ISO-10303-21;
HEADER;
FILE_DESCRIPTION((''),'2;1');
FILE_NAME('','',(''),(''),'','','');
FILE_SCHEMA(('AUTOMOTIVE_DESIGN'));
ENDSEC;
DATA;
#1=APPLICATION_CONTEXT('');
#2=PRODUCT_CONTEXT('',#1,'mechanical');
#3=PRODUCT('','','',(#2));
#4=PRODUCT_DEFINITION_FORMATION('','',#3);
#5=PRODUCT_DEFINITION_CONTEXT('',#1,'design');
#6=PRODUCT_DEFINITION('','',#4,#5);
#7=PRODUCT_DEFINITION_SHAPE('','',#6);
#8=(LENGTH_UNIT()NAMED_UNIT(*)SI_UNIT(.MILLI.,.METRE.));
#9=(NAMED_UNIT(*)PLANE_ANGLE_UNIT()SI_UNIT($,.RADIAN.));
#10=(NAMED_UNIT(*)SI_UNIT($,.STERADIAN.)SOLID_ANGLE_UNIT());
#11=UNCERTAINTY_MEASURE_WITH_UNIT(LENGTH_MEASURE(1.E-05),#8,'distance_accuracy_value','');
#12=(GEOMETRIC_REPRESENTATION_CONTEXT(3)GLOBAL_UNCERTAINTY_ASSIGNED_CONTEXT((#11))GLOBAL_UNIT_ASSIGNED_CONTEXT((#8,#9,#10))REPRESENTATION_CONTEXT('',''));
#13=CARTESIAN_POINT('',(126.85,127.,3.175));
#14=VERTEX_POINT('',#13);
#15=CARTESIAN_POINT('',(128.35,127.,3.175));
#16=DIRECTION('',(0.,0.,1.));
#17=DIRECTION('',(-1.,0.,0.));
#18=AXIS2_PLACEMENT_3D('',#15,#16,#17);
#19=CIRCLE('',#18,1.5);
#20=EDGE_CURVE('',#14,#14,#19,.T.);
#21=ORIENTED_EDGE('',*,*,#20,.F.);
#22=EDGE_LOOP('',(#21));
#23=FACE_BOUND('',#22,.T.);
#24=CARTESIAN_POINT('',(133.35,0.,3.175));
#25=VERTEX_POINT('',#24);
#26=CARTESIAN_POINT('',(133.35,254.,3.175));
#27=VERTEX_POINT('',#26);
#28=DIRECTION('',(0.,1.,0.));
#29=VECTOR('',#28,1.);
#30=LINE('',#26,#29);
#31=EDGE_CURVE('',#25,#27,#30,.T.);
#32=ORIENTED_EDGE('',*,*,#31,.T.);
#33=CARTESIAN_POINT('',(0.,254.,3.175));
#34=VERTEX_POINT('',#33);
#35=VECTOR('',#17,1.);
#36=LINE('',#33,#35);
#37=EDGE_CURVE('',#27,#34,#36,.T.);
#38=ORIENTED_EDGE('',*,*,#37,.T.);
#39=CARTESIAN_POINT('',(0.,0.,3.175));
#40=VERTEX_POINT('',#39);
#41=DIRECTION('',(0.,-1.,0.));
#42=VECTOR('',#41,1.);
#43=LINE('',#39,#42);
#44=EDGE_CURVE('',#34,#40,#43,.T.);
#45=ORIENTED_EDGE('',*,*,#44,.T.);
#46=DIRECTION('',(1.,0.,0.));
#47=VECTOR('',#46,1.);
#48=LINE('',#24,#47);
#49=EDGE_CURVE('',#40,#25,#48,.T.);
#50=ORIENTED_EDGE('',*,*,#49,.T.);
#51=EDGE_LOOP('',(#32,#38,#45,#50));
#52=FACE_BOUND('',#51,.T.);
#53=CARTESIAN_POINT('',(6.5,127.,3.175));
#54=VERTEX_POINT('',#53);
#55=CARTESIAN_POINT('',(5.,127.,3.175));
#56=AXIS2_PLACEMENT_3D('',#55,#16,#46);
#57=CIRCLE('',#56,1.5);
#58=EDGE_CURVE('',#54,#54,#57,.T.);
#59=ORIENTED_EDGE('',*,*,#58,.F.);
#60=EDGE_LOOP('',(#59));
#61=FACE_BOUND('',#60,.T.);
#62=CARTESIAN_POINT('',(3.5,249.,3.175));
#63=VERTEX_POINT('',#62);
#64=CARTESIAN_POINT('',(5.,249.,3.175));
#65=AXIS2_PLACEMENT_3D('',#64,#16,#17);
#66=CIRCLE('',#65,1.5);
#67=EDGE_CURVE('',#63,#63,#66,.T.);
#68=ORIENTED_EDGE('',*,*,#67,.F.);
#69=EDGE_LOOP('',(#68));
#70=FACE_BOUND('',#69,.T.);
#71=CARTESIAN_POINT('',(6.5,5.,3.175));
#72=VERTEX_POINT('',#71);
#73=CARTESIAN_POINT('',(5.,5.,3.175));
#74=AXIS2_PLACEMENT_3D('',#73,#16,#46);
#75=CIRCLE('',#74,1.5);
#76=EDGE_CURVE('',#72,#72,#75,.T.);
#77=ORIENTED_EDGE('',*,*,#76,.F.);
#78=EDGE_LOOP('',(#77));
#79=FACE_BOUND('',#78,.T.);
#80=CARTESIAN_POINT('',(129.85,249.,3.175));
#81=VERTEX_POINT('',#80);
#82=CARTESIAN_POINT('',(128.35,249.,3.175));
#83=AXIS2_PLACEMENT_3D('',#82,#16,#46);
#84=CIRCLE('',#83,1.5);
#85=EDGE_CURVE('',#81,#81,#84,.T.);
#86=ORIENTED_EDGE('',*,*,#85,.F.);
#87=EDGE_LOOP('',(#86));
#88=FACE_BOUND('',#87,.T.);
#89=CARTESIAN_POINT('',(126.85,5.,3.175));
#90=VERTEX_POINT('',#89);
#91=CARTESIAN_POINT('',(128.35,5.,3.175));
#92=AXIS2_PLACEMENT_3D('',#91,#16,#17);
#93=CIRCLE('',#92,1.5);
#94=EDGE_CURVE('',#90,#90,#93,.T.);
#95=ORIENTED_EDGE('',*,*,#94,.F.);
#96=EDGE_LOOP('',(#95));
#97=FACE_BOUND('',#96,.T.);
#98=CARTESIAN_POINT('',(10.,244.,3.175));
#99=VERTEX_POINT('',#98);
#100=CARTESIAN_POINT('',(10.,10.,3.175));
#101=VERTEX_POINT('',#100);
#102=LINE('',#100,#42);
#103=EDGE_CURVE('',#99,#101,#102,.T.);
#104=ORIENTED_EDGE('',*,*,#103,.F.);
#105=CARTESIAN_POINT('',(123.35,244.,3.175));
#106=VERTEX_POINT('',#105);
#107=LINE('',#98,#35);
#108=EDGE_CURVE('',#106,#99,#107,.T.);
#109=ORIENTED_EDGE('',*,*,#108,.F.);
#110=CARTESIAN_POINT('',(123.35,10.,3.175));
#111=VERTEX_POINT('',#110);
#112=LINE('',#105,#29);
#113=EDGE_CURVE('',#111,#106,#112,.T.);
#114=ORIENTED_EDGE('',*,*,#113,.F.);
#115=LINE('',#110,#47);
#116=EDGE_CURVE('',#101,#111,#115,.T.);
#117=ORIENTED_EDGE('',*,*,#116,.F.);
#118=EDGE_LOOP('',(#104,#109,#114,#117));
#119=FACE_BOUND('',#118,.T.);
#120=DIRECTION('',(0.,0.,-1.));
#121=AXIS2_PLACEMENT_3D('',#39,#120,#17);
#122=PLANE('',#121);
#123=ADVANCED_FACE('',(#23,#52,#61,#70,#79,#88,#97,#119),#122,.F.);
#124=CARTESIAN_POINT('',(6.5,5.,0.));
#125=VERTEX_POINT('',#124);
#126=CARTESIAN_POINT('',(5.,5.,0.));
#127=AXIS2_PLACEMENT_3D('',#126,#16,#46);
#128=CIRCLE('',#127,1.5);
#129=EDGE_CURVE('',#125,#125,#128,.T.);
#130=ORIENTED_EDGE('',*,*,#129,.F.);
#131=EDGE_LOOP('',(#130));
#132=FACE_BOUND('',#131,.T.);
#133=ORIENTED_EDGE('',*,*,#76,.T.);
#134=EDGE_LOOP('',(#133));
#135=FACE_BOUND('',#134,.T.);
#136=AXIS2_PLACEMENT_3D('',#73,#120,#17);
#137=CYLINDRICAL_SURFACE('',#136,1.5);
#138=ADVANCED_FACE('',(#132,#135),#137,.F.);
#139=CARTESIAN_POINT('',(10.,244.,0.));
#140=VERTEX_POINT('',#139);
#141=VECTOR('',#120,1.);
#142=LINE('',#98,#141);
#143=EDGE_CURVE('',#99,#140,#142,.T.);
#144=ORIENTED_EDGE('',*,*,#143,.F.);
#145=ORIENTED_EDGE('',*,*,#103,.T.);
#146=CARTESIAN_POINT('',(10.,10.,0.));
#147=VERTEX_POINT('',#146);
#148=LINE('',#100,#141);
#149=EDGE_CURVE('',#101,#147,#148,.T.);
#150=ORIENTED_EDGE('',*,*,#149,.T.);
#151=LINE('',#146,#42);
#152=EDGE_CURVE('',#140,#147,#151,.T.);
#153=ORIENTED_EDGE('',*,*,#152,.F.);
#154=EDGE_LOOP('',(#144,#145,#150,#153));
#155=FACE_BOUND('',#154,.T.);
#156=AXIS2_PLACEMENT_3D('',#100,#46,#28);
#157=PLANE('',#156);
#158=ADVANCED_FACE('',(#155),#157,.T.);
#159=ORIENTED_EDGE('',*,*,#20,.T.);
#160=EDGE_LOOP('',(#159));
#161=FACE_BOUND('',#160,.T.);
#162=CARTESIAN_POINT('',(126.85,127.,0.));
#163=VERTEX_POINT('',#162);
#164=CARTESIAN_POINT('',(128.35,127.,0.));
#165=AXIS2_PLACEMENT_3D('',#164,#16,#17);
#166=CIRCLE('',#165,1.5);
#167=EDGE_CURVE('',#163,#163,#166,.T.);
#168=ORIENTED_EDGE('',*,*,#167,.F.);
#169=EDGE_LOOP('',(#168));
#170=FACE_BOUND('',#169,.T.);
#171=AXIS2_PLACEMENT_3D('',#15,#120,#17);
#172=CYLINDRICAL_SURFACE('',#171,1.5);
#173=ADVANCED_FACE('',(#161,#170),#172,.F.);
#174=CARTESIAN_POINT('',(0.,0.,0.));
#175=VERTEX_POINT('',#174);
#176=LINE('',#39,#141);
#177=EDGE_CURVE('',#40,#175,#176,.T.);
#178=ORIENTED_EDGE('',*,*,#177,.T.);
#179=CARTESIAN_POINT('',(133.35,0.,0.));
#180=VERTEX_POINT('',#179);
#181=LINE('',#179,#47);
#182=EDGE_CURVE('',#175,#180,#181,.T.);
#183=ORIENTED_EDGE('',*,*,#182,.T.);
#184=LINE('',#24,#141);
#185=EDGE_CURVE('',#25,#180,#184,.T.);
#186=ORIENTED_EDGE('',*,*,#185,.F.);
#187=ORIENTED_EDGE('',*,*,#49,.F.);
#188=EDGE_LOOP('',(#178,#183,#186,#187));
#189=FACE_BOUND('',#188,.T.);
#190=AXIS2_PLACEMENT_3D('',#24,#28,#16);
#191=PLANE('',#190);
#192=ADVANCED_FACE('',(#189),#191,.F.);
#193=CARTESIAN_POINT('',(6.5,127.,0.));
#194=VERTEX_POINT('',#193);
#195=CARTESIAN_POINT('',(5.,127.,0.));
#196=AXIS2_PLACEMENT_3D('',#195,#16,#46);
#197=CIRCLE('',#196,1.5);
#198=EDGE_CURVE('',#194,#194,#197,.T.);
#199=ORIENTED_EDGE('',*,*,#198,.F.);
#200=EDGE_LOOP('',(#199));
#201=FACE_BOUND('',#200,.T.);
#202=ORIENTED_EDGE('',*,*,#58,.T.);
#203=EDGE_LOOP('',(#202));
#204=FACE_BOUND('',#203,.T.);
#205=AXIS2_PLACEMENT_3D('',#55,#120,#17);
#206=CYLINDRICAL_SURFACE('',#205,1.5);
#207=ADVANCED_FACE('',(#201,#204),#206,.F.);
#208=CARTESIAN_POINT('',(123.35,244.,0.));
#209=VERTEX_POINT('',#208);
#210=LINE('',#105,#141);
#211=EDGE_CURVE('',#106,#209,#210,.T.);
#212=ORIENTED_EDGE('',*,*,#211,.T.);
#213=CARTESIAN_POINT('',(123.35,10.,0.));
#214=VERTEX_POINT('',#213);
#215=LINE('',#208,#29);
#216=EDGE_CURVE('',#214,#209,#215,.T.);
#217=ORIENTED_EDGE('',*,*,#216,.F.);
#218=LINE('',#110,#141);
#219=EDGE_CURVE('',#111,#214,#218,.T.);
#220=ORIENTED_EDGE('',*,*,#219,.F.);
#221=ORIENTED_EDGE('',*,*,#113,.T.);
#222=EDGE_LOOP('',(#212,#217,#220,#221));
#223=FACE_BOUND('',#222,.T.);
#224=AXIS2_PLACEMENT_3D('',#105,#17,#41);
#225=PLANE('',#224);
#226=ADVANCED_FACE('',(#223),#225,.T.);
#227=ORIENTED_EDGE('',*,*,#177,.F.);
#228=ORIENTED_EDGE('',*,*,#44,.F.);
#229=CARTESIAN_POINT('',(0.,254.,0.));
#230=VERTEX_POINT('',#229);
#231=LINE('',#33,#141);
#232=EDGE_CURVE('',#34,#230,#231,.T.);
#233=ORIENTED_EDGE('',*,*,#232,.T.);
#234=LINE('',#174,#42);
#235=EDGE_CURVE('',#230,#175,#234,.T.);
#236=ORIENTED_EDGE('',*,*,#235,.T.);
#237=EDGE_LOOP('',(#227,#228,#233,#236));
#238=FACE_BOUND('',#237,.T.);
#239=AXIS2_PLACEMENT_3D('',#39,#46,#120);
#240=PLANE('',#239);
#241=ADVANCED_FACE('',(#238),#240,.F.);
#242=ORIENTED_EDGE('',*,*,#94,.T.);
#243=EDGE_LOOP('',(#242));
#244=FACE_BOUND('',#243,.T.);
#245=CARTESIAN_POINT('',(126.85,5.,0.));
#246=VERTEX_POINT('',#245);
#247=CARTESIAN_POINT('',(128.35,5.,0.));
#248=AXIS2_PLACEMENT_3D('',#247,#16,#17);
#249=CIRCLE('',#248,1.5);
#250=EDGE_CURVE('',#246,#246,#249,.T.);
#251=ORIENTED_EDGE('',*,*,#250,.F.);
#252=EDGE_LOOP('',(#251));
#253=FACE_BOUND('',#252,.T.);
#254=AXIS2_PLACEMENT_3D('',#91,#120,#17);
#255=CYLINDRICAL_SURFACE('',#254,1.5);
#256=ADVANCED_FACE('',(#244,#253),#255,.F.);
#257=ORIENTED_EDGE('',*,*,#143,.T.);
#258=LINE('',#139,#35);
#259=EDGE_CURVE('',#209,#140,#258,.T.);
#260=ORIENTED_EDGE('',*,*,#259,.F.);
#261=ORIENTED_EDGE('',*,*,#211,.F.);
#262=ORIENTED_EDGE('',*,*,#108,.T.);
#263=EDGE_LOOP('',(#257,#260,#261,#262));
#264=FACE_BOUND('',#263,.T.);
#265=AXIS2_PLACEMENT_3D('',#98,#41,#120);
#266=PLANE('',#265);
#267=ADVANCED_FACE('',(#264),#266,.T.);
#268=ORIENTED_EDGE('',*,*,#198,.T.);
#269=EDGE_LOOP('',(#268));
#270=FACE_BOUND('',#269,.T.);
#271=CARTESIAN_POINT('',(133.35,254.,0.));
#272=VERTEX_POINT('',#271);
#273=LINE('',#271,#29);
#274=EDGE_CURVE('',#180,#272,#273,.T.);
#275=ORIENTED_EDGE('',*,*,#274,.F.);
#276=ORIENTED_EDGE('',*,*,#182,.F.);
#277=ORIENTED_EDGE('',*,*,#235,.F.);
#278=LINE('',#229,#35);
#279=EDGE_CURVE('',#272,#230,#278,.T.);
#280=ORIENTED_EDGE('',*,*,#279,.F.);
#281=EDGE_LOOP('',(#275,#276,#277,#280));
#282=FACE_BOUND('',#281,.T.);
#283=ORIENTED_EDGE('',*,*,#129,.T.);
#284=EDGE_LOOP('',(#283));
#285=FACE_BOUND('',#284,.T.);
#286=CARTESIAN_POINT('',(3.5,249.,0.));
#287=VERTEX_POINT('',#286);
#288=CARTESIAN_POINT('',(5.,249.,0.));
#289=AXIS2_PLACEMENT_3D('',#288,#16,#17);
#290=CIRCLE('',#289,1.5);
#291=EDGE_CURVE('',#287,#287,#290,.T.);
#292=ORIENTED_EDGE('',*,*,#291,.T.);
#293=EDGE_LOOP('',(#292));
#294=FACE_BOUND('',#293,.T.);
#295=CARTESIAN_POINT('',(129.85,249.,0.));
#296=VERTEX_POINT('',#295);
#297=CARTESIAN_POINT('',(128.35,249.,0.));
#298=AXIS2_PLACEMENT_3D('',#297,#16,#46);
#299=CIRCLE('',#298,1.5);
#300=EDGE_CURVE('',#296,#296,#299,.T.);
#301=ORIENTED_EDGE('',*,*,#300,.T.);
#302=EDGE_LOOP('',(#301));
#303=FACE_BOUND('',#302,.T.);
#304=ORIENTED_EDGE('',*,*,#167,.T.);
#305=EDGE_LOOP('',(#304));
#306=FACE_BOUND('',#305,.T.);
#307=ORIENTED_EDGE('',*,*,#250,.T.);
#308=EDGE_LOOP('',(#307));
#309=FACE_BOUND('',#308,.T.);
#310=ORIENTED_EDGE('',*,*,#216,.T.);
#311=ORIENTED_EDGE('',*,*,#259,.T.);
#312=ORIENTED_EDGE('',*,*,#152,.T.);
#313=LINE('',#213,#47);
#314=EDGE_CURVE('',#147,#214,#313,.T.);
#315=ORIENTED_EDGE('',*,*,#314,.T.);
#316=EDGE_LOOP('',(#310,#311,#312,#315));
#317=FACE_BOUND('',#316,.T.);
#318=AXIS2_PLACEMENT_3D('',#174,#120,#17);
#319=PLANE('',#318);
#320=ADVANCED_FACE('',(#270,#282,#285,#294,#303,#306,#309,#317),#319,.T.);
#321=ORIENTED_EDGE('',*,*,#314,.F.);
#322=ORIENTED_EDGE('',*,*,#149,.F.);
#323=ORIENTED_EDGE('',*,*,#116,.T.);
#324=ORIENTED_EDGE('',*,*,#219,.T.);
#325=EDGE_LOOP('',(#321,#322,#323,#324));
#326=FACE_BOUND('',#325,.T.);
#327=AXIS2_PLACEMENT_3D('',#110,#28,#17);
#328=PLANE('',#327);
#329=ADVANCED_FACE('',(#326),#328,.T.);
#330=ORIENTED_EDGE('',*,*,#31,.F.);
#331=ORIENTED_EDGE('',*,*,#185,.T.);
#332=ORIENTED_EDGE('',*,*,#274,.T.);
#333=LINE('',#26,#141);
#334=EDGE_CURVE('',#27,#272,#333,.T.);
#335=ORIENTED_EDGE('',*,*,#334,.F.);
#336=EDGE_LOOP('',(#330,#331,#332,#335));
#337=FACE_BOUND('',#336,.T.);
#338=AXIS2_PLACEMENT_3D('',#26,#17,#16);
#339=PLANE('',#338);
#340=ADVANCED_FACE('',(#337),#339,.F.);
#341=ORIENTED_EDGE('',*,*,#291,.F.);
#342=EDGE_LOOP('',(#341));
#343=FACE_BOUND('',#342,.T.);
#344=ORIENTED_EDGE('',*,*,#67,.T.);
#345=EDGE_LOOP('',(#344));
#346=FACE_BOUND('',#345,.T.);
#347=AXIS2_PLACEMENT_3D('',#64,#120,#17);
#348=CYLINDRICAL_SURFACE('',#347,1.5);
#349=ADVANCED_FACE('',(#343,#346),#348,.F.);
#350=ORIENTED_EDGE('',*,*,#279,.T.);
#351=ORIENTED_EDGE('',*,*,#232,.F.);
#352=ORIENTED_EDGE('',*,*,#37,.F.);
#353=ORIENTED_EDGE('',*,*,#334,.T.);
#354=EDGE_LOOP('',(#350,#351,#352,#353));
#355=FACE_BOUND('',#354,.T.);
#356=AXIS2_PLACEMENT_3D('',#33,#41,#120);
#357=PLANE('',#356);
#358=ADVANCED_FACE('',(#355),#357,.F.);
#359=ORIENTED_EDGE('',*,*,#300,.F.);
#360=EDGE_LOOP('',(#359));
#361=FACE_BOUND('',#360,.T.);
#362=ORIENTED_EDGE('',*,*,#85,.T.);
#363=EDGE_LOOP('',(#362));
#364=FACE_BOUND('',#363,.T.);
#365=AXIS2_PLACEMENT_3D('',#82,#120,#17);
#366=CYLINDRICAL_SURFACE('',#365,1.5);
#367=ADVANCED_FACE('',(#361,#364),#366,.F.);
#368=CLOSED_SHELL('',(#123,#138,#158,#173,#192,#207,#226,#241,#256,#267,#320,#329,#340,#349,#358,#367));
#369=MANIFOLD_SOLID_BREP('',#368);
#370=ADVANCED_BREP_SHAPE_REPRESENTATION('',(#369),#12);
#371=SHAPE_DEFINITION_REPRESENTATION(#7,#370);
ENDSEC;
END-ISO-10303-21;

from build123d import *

# Parameters (mm, degrees)
SKETCH1_W           = 133.35
SKETCH1_H           = 254
SKETCH1_R           = 1.5
SKETCH1_W_2         = 113.35
SKETCH1_H_2         = 234
BOSS_EXTRUDE1_DEPTH = 3.175


with BuildPart() as part:
    # Sketch1 → Boss-Extrude1 (new body)
    with BuildSketch(Plane.XY):
        with Locations((66.675, 127)):
            Rectangle(SKETCH1_W, SKETCH1_H)
        with Locations((5, 5)):
            Circle(SKETCH1_R, mode=Mode.SUBTRACT)
        with Locations((5, 249)):
            Circle(SKETCH1_R, mode=Mode.SUBTRACT)
        with Locations((5, 127)):
            Circle(SKETCH1_R, mode=Mode.SUBTRACT)
        with Locations((128.35, 249)):
            Circle(SKETCH1_R, mode=Mode.SUBTRACT)
        with Locations((128.35, 127)):
            Circle(SKETCH1_R, mode=Mode.SUBTRACT)
        with Locations((128.35, 5)):
            Circle(SKETCH1_R, mode=Mode.SUBTRACT)
        with Locations((66.675, 127)):
            Rectangle(SKETCH1_W_2, SKETCH1_H_2, mode=Mode.SUBTRACT)
    extrude(amount=BOSS_EXTRUDE1_DEPTH)


solid = part.part
